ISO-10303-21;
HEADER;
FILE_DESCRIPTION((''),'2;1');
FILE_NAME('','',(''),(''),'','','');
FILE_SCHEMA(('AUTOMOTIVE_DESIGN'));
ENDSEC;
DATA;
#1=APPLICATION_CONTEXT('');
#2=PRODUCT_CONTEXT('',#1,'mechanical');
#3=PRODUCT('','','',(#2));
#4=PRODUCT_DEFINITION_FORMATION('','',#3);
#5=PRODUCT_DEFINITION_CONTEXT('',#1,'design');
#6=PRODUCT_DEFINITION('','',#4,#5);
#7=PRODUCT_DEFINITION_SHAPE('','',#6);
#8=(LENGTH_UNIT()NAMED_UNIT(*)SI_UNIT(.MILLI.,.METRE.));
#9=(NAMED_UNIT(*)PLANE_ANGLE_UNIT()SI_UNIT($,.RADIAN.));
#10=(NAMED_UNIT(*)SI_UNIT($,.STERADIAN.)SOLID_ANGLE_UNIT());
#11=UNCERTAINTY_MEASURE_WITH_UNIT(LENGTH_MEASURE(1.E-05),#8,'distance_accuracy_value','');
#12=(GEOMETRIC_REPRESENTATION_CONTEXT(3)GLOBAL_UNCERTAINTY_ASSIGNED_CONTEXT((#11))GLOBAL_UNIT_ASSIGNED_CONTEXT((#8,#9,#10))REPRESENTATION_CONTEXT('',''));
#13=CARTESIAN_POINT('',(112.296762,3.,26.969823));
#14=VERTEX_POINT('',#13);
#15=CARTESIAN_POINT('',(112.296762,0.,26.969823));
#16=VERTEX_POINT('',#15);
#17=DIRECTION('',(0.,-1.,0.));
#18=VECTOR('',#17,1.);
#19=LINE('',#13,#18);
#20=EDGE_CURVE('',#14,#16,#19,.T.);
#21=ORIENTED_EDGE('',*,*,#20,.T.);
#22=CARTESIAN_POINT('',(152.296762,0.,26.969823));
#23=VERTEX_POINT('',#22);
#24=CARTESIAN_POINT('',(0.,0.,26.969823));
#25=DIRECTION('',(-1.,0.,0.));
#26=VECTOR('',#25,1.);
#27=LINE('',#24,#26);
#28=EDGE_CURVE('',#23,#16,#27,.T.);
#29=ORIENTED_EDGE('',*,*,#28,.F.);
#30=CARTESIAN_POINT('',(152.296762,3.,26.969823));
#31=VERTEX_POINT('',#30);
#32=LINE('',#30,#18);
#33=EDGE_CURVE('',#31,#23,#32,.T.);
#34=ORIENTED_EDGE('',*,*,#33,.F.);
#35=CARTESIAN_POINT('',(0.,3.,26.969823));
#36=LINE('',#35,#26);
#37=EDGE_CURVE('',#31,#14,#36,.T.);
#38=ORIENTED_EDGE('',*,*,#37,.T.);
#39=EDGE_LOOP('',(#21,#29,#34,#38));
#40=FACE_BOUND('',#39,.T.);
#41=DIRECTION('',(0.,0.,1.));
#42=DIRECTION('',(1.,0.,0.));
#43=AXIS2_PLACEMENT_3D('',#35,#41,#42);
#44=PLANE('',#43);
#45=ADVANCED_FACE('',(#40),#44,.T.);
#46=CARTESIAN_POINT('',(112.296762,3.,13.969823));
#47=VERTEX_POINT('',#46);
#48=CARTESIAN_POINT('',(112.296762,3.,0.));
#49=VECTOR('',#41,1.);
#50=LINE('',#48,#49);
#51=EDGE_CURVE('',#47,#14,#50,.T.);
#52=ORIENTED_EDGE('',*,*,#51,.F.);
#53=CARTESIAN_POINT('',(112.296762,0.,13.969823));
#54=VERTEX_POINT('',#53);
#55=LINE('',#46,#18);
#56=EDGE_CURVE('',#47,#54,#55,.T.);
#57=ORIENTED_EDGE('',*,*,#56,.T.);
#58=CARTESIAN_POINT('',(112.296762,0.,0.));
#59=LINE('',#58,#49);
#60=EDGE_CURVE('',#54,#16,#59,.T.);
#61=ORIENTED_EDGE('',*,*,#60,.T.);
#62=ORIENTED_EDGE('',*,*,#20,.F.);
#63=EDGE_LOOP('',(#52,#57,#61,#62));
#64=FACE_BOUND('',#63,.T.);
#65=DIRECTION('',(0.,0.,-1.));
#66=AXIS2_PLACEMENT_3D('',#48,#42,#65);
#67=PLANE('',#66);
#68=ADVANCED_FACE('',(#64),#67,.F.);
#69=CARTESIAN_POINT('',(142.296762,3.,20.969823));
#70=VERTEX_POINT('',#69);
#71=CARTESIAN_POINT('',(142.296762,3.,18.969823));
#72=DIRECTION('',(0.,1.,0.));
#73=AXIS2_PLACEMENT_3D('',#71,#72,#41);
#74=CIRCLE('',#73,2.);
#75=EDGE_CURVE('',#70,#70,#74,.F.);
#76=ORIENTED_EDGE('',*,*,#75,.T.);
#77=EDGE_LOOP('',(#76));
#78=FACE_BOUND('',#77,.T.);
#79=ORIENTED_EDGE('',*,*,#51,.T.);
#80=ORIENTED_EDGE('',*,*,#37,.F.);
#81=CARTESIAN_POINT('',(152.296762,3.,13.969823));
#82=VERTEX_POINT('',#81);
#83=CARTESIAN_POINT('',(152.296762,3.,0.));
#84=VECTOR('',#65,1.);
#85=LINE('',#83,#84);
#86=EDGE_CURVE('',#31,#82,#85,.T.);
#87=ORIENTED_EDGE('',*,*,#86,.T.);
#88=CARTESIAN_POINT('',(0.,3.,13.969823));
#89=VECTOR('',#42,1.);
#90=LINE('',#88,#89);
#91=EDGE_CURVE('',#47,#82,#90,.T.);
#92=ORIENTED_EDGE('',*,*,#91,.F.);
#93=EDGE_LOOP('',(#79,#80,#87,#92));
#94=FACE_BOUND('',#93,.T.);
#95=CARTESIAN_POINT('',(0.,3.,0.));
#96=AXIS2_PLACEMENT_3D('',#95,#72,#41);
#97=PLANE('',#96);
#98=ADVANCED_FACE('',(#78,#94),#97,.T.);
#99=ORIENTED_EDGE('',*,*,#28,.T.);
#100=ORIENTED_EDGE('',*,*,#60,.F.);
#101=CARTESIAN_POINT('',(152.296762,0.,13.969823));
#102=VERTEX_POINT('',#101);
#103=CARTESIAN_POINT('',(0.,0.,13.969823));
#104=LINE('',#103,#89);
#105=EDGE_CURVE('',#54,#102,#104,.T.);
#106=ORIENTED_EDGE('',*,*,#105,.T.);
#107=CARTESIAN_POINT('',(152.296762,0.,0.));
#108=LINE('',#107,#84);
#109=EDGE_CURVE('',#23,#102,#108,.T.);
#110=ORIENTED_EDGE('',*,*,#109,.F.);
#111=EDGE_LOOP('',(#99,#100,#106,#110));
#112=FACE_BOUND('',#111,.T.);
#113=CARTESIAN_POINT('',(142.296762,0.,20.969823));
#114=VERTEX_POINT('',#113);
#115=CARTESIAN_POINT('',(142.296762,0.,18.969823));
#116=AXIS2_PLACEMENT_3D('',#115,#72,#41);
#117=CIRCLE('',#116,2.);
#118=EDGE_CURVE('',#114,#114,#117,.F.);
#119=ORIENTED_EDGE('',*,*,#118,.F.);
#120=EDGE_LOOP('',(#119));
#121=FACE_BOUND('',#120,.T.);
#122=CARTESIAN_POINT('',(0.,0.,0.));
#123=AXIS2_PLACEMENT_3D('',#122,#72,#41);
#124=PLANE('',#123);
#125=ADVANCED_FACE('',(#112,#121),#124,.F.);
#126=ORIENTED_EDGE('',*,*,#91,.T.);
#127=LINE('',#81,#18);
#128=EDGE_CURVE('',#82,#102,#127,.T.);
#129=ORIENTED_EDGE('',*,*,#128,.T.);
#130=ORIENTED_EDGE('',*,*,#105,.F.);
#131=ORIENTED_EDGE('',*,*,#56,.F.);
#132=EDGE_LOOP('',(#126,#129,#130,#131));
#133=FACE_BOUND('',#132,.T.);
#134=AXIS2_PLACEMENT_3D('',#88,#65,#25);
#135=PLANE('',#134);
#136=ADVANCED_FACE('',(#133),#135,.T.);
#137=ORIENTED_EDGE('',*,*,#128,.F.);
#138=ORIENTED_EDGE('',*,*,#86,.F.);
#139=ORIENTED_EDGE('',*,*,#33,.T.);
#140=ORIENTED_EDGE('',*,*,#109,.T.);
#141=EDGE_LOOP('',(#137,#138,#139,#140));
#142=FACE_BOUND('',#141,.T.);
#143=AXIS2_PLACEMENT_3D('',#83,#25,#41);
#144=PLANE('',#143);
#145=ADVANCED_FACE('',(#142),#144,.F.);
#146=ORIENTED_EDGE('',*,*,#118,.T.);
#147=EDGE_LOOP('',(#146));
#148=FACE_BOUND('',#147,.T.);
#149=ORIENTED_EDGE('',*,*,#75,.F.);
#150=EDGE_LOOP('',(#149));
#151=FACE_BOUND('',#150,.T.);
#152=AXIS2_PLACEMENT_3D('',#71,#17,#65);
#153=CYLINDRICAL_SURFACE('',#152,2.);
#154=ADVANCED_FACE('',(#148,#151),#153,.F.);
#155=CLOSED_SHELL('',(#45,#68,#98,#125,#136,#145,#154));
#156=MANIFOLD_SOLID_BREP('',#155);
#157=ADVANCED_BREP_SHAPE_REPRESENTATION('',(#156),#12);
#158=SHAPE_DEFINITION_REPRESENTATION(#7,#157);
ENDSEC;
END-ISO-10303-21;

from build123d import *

# Parameters (mm, degrees)
SKETCH1_7_W         = 40
SKETCH1_7_H         = 13
SKETCH1_7_R         = 2
BOSS_EXTRUDE4_DEPTH = 3


with BuildPart() as part:
    # Sketch1<7> → Boss-Extrude4 (new body)
    with BuildSketch(Plane(origin=(0, 0, 0), x_dir=(1, 0, 0), z_dir=(0, 1, 0))):
        with Locations((132.296761578, -20.469822669)):
            Rectangle(SKETCH1_7_W, SKETCH1_7_H)
        with Locations((142.296761578, -18.969822669)):
            Circle(SKETCH1_7_R, mode=Mode.SUBTRACT)
    extrude(amount=BOSS_EXTRUDE4_DEPTH)


solid = part.part
